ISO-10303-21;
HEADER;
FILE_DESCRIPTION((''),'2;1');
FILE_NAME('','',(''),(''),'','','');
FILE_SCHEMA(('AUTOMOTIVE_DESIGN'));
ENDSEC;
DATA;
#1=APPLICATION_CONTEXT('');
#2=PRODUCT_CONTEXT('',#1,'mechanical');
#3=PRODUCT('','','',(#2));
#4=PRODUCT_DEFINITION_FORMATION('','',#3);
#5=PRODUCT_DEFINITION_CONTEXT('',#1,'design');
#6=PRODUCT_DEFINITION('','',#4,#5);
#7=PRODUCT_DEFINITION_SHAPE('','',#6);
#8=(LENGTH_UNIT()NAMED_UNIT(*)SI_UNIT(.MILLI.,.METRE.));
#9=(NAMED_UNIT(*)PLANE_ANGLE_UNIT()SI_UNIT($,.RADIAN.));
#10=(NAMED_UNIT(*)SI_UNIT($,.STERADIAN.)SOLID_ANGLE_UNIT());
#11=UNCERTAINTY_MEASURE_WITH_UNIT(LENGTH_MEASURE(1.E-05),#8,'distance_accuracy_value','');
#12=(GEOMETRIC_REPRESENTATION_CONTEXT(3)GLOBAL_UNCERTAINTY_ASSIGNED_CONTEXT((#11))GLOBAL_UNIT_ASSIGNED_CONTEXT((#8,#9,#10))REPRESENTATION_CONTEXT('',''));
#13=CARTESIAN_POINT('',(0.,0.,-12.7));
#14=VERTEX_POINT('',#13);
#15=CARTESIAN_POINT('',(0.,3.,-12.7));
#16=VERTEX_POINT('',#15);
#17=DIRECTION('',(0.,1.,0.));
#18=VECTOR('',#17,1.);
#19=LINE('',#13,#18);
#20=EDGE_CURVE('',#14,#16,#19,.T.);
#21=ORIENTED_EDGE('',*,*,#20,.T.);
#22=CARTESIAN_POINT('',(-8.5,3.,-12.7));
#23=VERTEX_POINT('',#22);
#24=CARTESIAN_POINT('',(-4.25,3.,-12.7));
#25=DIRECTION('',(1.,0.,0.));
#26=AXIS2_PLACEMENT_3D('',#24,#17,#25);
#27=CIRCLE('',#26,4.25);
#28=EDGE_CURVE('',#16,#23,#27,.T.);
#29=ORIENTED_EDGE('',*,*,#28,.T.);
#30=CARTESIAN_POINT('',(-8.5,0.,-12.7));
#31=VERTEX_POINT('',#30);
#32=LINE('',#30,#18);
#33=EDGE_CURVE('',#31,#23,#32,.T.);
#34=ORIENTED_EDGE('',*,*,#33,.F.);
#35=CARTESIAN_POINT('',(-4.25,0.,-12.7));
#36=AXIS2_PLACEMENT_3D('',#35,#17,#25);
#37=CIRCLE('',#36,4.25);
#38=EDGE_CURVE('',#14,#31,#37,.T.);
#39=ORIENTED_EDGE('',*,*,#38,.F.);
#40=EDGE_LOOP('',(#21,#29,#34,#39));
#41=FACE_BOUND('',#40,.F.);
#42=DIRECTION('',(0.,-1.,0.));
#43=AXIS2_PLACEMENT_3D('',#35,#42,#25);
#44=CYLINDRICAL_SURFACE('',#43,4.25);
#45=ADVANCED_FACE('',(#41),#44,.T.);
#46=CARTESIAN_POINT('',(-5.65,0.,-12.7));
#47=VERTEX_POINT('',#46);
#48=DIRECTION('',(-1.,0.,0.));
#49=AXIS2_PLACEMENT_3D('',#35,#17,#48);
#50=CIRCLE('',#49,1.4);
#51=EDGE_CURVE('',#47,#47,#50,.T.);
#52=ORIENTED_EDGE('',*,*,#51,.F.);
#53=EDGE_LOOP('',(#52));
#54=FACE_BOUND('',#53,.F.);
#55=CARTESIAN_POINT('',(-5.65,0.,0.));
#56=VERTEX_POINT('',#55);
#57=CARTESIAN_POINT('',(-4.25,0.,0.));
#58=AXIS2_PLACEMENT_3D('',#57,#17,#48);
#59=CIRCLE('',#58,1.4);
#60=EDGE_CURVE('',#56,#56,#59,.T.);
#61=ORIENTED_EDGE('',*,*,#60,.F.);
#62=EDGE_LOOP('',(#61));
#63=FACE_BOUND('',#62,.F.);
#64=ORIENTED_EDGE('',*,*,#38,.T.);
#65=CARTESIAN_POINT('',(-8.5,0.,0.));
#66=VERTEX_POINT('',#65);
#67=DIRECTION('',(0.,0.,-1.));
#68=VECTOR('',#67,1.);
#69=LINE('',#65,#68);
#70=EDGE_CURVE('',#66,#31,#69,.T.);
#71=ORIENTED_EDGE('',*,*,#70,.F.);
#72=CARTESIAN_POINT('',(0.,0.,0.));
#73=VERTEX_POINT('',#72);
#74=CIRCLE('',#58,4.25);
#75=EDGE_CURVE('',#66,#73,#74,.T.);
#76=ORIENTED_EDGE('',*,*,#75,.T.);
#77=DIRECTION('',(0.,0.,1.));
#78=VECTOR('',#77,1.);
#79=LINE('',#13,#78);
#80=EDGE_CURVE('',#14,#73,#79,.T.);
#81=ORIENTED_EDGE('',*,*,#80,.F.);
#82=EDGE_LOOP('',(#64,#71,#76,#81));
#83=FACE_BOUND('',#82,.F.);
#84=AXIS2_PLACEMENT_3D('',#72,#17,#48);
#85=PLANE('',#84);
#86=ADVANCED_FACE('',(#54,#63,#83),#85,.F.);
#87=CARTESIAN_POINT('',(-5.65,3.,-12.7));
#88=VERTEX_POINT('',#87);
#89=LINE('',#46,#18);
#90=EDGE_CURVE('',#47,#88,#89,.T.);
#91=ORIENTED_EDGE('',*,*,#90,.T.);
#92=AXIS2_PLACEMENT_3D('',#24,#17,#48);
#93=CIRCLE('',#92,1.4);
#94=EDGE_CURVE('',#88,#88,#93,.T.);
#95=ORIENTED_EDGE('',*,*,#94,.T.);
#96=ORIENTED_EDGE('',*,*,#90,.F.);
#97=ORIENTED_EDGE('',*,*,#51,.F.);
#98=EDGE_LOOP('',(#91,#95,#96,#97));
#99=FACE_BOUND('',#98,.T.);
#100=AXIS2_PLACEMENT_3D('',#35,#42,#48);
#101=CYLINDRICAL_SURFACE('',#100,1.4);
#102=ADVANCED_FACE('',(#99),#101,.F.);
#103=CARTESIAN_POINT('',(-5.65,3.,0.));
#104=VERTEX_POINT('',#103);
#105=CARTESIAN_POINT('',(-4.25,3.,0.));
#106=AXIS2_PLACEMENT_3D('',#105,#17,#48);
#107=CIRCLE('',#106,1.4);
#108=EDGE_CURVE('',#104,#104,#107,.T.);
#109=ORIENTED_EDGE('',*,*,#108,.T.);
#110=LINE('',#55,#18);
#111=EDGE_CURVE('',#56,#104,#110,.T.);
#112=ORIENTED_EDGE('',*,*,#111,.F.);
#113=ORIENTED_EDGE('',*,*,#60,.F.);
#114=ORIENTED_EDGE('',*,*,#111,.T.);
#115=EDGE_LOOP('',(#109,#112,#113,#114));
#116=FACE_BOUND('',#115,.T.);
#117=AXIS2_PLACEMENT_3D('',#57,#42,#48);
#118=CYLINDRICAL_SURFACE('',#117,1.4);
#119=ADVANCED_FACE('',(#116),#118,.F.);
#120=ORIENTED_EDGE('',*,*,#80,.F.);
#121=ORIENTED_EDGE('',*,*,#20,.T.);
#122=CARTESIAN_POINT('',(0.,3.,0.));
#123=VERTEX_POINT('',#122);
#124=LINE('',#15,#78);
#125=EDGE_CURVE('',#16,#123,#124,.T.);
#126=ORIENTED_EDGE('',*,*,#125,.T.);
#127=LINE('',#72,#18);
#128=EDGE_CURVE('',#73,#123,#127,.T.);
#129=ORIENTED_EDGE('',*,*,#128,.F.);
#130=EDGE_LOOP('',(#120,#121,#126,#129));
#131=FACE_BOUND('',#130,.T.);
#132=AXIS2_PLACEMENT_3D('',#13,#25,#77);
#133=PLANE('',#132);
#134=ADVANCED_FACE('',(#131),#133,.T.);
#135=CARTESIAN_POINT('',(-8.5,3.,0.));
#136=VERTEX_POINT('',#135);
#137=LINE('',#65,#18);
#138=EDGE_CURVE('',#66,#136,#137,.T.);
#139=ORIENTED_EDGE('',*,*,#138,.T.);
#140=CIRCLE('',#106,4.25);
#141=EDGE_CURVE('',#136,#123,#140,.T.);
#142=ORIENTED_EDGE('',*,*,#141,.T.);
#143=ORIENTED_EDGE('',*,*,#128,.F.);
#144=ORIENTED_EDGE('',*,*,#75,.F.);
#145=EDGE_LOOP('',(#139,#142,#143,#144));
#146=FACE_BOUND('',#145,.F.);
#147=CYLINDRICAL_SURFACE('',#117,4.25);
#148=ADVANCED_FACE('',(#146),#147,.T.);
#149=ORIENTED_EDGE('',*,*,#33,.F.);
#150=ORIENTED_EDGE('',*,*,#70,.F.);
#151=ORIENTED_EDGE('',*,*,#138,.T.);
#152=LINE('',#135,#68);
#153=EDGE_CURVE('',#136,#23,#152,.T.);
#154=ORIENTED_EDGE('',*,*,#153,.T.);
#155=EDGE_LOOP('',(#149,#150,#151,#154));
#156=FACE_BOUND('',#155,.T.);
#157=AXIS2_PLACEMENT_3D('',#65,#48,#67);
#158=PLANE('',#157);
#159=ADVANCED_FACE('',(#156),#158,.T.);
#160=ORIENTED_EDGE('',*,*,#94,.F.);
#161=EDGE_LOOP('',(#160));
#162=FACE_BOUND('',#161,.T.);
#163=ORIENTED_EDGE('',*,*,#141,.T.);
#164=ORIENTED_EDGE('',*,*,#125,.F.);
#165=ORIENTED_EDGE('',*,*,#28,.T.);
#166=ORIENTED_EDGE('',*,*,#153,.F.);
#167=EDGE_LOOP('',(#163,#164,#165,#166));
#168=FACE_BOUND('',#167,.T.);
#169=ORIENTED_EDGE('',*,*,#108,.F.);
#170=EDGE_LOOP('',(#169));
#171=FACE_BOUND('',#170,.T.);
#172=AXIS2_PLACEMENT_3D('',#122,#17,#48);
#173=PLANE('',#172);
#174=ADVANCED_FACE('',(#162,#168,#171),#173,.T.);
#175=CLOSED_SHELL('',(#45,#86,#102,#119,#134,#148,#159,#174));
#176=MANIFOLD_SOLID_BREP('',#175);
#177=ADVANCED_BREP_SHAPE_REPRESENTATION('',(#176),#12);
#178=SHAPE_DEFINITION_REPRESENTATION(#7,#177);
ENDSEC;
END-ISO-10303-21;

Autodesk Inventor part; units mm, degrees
ref_plane "YZ Plane" through (0, 0, 0) normal (1, 0, 0) x (0, 1, 0)
ref_plane "XZ Plane" through (0, 0, 0) normal (0, 1, 0) x (-1, 0, 0)
ref_plane "XY Plane" through (0, 0, 0) normal (0, 0, 1) x (1, 0, 0)
sketch "Sketch1" plane through (0, 0, 0) normal (0, 1, 0) x (-1, 0, 0)
  line L0 (8.5, 0) -> (8.5, -12.7)
  line L1 (0, -12.7) -> (0, 0)
  circle A0 centre (4.25, 0) radius 1.4
  circle A1 centre (4.25, -12.7) radius 1.4
  arc A2 (8.5, 0) -> (0, 0) centre (4.25, 0) ccw
  arc A3 (0, -12.7) -> (8.5, -12.7) centre (4.25, -12.7) ccw
  dimension "d2" = 2.8
  dimension "d3" = 2.8
  dimension "pitch" = 12.7
  dimension "d7" = 4.25
  dimension "d10" = 4.25
  dimension "d11" = 12.7
  dimension "d12" = 0
extrude "Extrusion1" add sketch "Sketch1" along normal blind 3
equation "\"d3\" = d2"
equation "\"d7\" = 0.5 * d0"
equation "\"d11\" = pitch"
equation "\"d0\" = 8.5"
properties part number "tracks_outer"
